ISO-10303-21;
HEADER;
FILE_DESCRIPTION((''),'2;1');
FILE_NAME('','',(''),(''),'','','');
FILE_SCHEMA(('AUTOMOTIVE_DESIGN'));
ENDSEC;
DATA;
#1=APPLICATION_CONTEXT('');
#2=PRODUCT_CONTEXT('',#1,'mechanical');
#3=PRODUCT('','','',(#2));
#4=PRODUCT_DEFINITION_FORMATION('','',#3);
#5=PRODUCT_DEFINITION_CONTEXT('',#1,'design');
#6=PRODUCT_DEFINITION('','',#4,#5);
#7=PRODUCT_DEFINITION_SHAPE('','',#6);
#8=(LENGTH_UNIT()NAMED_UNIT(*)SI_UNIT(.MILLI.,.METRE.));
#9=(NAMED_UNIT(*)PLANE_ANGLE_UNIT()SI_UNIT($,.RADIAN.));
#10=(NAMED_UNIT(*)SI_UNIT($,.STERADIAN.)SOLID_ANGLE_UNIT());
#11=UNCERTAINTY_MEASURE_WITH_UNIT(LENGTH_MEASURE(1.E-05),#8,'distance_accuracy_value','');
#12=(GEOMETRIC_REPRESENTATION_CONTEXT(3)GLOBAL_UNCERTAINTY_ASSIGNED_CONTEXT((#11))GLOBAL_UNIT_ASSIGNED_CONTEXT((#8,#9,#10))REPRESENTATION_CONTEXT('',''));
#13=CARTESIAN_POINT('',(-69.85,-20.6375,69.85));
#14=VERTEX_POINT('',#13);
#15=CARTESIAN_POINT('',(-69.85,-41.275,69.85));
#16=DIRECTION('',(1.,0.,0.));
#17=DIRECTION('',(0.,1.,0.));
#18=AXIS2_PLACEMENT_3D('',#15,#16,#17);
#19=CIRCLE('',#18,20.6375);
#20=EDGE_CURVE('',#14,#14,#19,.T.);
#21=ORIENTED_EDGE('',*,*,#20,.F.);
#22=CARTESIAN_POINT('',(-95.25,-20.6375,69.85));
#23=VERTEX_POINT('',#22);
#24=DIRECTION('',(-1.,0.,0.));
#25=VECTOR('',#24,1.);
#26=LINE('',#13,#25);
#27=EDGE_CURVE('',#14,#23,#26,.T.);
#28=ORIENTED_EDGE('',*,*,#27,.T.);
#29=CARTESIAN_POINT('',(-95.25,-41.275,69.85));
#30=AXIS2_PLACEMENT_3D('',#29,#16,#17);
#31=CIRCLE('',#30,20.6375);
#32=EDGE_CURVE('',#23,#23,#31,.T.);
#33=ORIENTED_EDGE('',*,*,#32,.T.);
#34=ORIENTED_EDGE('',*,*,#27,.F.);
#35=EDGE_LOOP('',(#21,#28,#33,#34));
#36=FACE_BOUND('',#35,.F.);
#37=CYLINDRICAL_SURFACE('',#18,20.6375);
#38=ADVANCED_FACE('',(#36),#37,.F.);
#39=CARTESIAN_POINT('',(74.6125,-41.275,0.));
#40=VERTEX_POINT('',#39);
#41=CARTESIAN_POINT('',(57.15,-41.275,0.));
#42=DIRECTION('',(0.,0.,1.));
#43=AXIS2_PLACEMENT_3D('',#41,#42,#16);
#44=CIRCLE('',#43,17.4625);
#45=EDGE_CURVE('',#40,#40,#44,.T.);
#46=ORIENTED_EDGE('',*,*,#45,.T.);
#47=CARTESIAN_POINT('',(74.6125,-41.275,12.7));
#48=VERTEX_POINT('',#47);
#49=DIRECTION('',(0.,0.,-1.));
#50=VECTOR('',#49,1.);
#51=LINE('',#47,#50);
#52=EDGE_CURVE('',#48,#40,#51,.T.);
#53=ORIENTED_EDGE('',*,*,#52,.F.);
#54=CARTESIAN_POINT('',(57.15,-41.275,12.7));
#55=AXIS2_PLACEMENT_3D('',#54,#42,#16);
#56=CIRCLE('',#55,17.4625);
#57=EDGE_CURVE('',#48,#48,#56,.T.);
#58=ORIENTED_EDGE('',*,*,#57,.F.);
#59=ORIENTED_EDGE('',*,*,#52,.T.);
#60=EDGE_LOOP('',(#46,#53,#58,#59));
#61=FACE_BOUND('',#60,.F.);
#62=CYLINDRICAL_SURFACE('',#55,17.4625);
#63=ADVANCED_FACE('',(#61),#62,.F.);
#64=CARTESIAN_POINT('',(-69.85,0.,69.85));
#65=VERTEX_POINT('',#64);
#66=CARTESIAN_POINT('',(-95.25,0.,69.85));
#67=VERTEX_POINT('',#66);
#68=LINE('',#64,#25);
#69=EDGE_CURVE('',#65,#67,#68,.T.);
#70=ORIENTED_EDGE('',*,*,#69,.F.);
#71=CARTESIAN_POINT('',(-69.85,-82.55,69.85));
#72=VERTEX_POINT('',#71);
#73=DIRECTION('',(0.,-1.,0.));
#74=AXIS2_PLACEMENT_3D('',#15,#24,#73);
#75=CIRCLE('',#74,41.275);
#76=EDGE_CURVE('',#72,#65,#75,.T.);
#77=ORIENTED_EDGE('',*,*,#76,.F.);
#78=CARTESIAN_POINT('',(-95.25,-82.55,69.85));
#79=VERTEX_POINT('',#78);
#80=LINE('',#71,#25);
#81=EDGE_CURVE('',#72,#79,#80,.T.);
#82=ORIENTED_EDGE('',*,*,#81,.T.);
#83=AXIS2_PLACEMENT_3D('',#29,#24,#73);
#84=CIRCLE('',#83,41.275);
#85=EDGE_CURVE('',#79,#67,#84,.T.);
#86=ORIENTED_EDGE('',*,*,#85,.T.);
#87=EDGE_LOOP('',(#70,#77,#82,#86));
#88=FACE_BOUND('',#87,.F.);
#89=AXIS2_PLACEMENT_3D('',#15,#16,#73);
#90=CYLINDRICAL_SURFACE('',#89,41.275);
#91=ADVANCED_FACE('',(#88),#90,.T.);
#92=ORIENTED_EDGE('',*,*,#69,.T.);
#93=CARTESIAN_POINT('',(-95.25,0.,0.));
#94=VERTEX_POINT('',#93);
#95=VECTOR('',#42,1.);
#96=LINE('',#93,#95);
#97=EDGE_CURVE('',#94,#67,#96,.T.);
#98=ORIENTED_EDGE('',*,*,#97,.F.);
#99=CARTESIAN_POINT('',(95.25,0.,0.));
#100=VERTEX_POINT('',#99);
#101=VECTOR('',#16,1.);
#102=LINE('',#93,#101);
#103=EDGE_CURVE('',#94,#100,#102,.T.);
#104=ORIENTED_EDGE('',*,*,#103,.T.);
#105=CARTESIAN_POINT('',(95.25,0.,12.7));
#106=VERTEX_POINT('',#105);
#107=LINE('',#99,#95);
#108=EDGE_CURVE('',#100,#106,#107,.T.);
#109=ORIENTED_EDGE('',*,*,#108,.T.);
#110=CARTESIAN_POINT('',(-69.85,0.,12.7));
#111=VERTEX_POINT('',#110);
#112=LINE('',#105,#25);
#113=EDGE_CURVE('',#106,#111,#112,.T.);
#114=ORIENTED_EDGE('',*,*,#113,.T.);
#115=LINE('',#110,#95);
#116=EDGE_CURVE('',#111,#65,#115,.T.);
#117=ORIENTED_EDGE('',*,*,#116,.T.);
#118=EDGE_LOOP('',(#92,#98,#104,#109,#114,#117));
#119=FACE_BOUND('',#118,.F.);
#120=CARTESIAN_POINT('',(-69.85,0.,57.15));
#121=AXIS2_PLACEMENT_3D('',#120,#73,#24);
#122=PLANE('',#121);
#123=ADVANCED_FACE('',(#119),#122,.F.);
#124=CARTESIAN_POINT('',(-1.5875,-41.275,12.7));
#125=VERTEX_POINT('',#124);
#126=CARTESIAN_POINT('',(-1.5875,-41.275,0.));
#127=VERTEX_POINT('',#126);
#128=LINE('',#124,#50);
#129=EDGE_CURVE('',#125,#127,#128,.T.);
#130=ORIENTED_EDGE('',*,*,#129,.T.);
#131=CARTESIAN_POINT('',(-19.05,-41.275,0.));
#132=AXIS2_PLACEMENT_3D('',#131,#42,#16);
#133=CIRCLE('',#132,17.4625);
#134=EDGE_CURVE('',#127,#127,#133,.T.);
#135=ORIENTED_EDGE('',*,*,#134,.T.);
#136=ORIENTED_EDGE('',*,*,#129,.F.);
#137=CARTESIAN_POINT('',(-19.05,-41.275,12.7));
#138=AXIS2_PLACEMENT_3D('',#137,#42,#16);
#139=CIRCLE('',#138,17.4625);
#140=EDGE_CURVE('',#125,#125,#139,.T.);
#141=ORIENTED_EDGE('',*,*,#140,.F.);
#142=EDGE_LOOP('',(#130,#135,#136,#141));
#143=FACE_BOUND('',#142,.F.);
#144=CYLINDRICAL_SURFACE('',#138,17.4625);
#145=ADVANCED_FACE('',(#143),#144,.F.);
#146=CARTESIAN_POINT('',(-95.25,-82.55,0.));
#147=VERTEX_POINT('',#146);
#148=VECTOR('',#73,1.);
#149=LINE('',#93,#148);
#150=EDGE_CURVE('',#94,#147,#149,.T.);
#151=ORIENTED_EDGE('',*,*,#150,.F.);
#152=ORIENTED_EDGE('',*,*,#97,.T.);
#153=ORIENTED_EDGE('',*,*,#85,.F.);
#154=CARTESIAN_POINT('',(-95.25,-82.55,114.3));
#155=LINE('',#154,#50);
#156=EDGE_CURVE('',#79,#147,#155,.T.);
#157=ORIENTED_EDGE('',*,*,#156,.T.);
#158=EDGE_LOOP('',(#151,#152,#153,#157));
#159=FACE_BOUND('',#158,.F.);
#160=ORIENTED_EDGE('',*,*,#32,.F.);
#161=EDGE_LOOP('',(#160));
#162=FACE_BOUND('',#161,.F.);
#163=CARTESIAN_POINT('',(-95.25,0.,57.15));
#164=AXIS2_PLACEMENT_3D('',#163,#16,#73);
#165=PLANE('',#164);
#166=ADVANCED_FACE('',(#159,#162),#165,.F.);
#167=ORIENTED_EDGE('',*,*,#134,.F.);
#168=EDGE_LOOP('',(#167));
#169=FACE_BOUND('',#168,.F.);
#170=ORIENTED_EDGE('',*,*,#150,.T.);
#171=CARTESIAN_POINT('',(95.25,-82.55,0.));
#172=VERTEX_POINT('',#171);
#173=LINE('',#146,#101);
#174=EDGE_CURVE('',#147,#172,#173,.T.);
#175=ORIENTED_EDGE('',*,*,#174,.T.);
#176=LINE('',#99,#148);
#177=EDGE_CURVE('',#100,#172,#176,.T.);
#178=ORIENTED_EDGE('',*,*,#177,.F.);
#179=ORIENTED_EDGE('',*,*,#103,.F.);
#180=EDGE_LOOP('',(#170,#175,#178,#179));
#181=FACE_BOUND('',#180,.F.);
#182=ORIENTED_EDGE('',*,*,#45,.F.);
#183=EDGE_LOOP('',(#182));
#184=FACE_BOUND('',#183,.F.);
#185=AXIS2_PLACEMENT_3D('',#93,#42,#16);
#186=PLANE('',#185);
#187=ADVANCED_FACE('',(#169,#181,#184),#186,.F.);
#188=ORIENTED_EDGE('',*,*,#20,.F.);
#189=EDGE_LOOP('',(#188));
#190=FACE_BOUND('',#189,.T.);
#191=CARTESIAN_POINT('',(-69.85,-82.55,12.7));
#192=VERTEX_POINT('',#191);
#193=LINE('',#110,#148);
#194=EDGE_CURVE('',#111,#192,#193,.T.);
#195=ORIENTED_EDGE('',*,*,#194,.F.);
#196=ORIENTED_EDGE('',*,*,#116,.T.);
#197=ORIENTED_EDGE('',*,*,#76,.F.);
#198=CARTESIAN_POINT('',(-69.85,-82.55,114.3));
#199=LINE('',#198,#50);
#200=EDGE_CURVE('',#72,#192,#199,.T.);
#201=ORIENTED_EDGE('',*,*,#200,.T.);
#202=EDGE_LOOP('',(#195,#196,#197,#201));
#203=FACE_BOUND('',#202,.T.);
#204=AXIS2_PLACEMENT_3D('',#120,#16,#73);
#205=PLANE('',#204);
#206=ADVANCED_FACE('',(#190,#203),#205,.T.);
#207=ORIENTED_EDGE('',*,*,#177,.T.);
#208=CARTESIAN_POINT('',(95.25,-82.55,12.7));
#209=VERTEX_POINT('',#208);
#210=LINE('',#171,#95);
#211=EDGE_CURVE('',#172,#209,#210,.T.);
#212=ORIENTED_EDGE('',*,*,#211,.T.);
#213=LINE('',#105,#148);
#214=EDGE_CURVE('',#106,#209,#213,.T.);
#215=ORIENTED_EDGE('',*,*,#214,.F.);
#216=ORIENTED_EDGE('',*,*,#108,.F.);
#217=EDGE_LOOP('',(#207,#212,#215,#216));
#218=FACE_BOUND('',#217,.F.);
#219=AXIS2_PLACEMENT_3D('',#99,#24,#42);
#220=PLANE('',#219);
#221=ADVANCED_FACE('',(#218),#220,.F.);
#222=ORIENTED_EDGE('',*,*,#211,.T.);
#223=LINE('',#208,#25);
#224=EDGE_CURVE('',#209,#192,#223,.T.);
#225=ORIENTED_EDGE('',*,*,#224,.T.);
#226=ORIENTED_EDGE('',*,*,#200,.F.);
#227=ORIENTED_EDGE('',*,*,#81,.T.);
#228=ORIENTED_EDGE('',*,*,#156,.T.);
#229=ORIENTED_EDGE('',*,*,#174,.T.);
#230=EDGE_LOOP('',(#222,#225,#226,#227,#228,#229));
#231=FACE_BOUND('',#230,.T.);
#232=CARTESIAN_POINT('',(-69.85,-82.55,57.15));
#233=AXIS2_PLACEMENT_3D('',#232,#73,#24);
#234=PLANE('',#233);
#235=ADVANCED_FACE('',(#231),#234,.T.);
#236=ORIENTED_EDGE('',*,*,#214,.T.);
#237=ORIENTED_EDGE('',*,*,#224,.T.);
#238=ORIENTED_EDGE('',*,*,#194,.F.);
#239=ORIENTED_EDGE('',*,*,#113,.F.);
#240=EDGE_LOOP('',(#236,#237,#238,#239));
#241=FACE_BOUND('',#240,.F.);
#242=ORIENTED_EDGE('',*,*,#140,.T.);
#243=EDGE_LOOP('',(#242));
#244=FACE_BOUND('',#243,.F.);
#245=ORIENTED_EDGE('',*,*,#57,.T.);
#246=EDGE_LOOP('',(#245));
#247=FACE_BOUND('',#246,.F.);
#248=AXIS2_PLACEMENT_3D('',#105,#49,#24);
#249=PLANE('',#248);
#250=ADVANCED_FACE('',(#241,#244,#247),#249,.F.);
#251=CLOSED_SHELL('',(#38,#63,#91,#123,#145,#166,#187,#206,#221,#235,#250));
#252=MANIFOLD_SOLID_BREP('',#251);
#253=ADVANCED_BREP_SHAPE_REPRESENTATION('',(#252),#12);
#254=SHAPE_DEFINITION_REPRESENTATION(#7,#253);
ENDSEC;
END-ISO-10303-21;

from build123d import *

# Parameters (mm, degrees)
F1_DEPTH  = 82.55
F2_R      = 17.4625
F3_DEPTH  = 12.7
F4_R      = 17.4625
F5_DEPTH  = 12.7
F6_DEPTH  = 57.15
F8_DEPTH  = 25.4
F9_R      = 20.6375
F10_DEPTH = 25.4


with BuildPart() as f1:
    # F0 (on Front) → F1 (new body)
    with BuildSketch(Plane.XZ):
        Polygon((-95.25, 0), (0, 0), (95.25, 0), (95.25, 12.7), (-69.85, 12.7), (-69.85, 57.15), (-95.25, 57.15), align=None)
    extrude(amount=F1_DEPTH)

    # F2 (on face) → F3 (cut)
    with BuildSketch(Plane.XY.offset(12.7)):
        with Locations((-19.05, -41.275)):
            Circle(F2_R)
    extrude(amount=-F3_DEPTH, mode=Mode.SUBTRACT)

    # F4 (on face) → F5 (cut)
    with BuildSketch(Plane.XY.offset(12.7)):
        with Locations((57.15, -41.275)):
            Circle(F4_R)
    extrude(amount=-F5_DEPTH, mode=Mode.SUBTRACT)

    # F6 (add): a face of the model
    f6_faces = [f1.faces().sort_by_distance(p)[0] for p in [
        (-82.55, -41.275, 57.15),
    ]]
    extrude(f6_faces, amount=F6_DEPTH)

    # F7 (on face) → F8 (cut)
    with BuildSketch(Plane.YZ.offset(-69.85)):
        with BuildLine():
            ThreePointArc((-82.55, 69.85), (-41.275, 111.125), (0, 69.85))
            Line((0, 69.85), (0, 114.3))
            Line((0, 114.3), (-82.55, 114.3))
            Line((-82.55, 114.3), (-82.55, 69.85))
        make_face()
    extrude(amount=-F8_DEPTH, mode=Mode.SUBTRACT)

    # F9 (on face) → F10 (cut)
    with BuildSketch(Plane.YZ.offset(-69.85)):
        with Locations((-41.275, 69.85)):
            Circle(F9_R)
    extrude(amount=-F10_DEPTH, mode=Mode.SUBTRACT)


solid = f1.part
